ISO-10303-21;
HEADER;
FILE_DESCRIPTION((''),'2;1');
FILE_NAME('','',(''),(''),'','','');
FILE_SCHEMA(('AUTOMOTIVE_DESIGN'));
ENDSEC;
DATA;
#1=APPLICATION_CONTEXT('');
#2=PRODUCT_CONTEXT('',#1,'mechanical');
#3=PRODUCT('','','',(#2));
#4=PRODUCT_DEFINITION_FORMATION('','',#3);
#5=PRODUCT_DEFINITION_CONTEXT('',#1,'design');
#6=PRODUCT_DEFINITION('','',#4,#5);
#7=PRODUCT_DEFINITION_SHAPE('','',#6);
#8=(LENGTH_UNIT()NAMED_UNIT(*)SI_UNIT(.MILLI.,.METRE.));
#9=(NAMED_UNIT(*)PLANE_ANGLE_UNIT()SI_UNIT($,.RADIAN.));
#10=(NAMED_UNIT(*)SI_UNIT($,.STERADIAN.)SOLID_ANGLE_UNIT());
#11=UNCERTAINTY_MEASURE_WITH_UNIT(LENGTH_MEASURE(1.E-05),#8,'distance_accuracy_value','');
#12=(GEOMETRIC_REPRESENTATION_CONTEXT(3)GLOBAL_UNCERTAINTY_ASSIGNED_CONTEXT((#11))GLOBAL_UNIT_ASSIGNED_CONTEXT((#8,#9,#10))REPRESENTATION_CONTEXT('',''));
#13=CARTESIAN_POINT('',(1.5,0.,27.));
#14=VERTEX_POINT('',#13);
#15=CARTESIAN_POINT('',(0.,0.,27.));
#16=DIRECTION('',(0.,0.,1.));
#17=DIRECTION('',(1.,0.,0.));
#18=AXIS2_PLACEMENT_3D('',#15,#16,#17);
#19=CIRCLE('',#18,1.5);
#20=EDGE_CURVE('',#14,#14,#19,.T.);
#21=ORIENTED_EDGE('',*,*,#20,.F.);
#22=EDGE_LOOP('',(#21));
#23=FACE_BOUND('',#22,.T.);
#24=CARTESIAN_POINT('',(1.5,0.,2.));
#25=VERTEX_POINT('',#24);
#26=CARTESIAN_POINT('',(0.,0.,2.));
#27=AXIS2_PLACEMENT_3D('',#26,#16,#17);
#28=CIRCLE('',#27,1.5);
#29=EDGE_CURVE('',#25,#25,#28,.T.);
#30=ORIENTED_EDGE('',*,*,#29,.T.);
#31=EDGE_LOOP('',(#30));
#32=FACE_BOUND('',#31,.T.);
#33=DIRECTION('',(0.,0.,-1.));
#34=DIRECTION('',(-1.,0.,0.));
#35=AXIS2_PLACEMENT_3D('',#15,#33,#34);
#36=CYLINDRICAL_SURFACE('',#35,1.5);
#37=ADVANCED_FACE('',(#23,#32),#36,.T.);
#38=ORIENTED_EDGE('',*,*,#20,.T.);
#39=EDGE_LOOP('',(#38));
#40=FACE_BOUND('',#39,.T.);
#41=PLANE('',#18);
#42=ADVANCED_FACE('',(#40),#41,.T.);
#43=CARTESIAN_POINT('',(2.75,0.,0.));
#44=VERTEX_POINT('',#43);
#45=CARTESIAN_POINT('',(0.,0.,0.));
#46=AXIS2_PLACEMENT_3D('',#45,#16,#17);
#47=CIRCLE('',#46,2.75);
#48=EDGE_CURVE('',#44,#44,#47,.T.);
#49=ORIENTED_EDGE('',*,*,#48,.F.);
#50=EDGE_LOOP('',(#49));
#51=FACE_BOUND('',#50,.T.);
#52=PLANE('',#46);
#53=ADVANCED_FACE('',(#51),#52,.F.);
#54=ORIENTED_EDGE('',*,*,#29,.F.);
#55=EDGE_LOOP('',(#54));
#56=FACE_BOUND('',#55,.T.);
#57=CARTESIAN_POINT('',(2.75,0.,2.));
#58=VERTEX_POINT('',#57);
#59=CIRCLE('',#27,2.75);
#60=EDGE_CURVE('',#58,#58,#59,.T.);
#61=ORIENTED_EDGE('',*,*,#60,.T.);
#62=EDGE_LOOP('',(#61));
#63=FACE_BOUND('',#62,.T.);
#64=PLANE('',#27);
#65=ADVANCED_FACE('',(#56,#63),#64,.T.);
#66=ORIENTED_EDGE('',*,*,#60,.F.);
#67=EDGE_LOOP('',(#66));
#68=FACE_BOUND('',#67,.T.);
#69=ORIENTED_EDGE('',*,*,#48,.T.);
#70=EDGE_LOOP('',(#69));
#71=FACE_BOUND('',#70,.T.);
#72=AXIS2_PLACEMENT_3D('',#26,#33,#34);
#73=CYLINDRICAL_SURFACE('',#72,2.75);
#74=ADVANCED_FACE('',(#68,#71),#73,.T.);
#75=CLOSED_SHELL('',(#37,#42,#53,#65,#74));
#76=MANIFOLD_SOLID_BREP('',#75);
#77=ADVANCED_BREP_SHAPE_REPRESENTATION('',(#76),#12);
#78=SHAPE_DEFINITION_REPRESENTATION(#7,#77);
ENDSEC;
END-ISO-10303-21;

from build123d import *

# Parameters (mm, degrees)
ESQUISSE1_R        = 2.75
BOSS_EXTRU_1_DEPTH = 2
ESQUISSE2_R        = 1.5
BOSS_EXTRU_2_DEPTH = 25


with BuildPart() as part:
    # Esquisse1 → Boss.-Extru.1 (new body)
    with BuildSketch(Plane.XY):
        Circle(ESQUISSE1_R)
    extrude(amount=BOSS_EXTRU_1_DEPTH)

    # Esquisse2 → Boss.-Extru.2 (add)
    with BuildSketch(Plane.XY.offset(2)):
        Circle(ESQUISSE2_R)
    extrude(amount=BOSS_EXTRU_2_DEPTH)


solid = part.part
